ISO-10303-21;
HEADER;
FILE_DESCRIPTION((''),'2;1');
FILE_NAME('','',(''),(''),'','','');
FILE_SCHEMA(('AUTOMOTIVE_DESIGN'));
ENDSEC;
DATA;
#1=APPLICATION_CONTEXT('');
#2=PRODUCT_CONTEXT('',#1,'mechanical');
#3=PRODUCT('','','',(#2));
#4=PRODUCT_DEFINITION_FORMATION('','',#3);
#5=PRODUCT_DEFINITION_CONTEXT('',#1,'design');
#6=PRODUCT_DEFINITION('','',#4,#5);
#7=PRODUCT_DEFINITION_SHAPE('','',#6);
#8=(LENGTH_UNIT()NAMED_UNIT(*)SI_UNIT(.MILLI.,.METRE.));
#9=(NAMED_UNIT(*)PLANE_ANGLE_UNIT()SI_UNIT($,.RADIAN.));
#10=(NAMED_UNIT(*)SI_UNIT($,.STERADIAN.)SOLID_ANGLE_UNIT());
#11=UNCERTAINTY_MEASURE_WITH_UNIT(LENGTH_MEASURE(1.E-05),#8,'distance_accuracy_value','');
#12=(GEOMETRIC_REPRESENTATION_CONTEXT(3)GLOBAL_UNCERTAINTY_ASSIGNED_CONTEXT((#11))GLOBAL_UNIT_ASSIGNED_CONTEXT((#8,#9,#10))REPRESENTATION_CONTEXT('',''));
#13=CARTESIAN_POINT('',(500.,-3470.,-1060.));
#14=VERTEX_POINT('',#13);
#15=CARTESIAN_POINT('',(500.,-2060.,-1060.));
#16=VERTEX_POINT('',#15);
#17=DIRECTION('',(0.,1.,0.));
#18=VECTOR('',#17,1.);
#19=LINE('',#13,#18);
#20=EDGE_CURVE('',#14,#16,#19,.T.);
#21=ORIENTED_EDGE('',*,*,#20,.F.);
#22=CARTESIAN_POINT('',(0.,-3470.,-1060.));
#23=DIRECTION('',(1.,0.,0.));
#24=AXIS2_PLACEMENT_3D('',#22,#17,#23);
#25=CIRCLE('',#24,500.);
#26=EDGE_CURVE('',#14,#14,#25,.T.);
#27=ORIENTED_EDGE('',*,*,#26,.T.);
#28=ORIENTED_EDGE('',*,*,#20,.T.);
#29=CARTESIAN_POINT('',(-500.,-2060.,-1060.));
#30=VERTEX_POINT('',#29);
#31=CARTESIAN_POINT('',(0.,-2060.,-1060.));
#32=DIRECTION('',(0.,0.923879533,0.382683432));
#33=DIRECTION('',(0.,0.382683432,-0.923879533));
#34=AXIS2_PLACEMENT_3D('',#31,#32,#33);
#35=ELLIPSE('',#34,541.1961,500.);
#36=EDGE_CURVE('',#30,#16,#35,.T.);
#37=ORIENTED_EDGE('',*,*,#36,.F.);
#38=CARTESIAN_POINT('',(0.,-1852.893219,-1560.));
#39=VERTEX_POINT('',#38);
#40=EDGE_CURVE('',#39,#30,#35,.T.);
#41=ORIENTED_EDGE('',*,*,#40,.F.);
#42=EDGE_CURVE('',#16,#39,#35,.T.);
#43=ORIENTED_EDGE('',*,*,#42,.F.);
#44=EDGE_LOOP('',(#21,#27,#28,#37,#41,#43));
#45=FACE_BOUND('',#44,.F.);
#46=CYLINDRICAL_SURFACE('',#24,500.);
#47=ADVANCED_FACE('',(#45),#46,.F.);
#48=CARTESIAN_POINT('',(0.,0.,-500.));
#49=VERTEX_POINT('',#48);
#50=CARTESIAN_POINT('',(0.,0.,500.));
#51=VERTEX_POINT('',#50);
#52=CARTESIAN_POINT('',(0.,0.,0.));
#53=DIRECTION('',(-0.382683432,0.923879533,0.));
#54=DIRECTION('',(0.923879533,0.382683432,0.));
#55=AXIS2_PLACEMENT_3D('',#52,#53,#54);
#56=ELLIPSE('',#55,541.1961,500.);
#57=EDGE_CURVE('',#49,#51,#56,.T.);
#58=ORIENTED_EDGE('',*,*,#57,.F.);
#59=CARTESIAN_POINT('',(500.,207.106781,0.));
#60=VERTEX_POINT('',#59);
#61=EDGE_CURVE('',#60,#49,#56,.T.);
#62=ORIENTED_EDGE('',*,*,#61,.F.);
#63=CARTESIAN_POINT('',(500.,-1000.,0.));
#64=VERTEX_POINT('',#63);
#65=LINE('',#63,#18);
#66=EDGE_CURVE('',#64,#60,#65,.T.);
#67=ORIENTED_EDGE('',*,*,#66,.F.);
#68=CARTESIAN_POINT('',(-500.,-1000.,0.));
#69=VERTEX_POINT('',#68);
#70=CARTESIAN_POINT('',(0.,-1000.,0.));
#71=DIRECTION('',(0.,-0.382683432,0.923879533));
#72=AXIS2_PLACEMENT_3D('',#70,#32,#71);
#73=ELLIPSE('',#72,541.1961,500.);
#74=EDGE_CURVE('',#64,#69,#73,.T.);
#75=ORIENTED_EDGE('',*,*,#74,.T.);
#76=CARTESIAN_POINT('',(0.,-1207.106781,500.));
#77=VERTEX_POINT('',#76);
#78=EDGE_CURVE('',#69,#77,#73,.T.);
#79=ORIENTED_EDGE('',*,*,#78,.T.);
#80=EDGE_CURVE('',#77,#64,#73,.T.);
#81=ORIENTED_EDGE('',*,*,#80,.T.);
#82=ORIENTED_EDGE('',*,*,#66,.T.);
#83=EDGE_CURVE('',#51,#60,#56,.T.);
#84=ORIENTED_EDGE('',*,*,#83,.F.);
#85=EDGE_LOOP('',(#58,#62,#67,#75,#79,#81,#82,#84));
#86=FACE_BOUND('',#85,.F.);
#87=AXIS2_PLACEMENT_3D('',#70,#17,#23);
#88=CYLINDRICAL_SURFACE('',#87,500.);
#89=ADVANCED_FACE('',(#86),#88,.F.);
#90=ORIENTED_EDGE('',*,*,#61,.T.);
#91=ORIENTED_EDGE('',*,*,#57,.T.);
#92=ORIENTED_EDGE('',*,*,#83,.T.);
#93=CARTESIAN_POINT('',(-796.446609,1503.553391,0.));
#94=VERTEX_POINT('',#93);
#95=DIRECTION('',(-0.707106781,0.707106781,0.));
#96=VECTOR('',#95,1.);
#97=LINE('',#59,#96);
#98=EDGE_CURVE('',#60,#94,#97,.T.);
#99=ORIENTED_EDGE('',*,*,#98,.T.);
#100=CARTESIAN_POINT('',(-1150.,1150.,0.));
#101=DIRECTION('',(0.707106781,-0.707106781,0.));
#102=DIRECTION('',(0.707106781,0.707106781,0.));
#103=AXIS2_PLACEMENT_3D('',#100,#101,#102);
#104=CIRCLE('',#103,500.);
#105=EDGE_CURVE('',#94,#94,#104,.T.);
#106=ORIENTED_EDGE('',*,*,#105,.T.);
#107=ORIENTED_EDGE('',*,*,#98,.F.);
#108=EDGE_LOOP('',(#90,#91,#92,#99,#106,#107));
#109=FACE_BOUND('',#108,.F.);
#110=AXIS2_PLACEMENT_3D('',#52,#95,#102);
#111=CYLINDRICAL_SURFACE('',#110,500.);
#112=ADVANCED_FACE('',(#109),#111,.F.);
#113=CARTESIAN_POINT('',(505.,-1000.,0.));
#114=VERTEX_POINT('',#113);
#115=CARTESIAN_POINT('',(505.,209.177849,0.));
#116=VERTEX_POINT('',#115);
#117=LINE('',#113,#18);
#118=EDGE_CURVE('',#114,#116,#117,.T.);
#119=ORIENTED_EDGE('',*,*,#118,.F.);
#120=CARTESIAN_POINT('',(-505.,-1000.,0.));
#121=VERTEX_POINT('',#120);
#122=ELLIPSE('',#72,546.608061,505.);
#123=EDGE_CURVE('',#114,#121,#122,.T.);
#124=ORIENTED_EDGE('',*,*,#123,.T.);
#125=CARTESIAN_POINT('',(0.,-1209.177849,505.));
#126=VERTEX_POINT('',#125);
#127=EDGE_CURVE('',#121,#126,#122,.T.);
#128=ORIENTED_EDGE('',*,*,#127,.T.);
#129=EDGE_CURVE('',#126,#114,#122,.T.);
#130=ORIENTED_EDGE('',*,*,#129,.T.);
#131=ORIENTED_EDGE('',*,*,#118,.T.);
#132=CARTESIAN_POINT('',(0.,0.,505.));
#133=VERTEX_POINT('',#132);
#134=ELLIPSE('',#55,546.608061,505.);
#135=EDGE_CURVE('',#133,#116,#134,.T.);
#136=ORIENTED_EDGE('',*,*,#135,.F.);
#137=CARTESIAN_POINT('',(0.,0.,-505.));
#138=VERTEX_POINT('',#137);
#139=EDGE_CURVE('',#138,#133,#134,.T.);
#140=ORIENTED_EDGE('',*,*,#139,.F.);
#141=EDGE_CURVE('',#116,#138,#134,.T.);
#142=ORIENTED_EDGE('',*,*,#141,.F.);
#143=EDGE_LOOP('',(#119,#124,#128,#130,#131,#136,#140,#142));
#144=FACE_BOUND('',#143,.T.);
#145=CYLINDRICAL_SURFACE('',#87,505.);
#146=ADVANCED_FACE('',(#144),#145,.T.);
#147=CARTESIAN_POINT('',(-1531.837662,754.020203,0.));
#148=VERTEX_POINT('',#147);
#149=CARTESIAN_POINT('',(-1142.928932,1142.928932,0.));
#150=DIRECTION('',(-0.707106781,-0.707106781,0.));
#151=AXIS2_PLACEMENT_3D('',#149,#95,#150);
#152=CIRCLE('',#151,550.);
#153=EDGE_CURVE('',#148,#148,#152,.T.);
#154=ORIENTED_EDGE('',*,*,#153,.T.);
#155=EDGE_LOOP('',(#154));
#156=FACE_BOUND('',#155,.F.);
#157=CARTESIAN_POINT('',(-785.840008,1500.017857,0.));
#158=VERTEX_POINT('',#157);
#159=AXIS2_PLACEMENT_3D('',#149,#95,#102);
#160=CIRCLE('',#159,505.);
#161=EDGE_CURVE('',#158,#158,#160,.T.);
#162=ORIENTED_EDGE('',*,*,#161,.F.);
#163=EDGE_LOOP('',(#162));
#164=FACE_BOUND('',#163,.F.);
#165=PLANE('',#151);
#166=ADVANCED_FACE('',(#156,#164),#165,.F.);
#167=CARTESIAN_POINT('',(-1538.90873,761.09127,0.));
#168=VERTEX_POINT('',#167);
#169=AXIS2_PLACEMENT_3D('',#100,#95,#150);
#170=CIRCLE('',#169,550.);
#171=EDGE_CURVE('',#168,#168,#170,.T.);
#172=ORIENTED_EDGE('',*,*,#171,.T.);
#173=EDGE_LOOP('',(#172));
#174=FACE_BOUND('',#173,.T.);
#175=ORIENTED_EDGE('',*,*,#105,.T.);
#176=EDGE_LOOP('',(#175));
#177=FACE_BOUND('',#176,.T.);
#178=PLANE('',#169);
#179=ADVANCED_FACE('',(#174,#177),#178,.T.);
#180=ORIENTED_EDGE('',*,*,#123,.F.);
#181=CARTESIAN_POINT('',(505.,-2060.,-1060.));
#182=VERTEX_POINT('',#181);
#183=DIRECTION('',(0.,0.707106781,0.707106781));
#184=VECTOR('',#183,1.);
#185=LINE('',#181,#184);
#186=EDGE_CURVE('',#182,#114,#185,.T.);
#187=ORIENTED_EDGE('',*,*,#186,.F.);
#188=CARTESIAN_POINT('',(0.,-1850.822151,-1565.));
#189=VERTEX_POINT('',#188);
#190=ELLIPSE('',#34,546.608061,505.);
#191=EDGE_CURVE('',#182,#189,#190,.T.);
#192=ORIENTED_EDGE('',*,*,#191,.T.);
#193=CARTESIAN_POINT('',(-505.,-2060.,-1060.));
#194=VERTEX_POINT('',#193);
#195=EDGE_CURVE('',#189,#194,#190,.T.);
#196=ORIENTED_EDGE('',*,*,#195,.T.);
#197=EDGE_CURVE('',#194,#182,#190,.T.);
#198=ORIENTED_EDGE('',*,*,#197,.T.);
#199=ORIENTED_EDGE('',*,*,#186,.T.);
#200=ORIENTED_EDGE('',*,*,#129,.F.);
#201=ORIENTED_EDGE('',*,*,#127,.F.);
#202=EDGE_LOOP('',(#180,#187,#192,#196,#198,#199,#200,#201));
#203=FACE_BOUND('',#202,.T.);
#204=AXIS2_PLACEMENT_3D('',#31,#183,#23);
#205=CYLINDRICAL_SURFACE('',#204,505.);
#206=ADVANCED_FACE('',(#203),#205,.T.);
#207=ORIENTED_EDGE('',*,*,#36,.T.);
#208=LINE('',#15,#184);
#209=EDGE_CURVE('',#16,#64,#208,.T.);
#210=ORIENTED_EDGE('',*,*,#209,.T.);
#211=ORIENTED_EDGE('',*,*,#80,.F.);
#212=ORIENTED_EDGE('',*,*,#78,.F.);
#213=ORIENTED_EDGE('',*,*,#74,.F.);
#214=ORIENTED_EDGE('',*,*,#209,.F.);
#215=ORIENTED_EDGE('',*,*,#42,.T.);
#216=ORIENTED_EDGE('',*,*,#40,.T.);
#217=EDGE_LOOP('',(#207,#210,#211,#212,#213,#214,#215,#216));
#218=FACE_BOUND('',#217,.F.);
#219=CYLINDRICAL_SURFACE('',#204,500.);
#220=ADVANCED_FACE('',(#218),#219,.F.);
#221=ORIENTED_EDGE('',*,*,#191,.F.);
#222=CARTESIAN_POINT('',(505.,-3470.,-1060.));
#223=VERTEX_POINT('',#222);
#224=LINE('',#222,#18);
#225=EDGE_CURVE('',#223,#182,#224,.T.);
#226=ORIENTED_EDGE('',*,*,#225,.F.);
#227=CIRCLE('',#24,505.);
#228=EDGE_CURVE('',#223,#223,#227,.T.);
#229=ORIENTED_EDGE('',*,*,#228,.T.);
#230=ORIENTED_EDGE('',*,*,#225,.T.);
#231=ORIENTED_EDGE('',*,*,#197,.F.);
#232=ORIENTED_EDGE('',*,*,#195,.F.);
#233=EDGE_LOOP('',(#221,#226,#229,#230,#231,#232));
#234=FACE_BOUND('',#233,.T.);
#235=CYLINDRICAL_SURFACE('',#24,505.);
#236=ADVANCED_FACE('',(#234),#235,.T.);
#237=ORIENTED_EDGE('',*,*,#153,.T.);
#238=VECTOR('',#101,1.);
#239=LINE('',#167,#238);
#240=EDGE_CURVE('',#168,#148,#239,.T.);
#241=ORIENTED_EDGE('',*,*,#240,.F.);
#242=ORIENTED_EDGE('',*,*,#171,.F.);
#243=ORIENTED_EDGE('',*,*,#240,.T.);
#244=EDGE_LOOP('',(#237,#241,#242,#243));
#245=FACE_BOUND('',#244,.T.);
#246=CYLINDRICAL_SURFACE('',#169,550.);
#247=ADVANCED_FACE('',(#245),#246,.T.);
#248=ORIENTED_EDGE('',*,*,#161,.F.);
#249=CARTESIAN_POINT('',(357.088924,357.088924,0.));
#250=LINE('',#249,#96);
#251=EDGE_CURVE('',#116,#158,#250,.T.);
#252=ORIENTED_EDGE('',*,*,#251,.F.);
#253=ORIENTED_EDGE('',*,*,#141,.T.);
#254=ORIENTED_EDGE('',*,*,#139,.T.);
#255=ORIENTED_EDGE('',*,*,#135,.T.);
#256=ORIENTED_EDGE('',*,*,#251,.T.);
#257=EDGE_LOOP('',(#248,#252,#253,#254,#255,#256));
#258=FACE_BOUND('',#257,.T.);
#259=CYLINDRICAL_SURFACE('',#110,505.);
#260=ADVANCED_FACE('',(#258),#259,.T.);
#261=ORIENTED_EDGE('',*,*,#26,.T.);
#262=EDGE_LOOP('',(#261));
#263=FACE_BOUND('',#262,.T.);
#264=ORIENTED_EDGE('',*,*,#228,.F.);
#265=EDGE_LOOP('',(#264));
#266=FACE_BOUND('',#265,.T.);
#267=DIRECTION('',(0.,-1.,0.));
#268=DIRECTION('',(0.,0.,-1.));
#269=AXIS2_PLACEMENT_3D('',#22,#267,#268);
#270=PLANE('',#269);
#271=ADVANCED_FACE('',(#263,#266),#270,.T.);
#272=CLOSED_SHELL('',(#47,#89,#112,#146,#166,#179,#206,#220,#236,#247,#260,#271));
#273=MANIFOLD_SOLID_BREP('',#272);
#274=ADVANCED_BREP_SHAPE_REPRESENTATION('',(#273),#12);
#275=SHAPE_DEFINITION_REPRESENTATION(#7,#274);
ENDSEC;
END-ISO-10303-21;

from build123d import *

# Parameters (mm, degrees)
F3_R     = 505
F3_R_2   = 500
F5_R     = 550
F5_R_2   = 500
F6_DEPTH = 10


with BuildPart() as f4:
    # F4: sweep along a path in F1, F0
    with BuildLine(Plane.YZ) as f4_path:
        Line((-3470, -1060), (-2060, -1060))
        Line((-2060, -1060), (-1000, 0))
    with BuildLine(Plane.XY) as f4_path_2:
        Line((0, -1000), (0, 0))
        Line((0, 0), (-1150, 1150))
    # F3 (on offset) → F4 (sweep)
    with BuildSketch(Plane.XZ.offset(3470)):
        with Locations((0, -1060)):
            Circle(F3_R)
        with Locations((0, -1060)):
            Circle(F3_R_2, mode=Mode.SUBTRACT)
    sweep(path=f4_path.line + f4_path_2.line, transition=Transition.RIGHT)

    # F5 (on face) → F6 (join)
    with BuildSketch(Plane(origin=(-1150, 1150, 0), x_dir=(-0.7071067812, -0.7071067812, 0), z_dir=(-0.7071067812, 0.7071067812, 0))):
        Circle(F5_R)
        Circle(F5_R_2, mode=Mode.SUBTRACT)
    extrude(amount=-F6_DEPTH)


solid = f4.part
